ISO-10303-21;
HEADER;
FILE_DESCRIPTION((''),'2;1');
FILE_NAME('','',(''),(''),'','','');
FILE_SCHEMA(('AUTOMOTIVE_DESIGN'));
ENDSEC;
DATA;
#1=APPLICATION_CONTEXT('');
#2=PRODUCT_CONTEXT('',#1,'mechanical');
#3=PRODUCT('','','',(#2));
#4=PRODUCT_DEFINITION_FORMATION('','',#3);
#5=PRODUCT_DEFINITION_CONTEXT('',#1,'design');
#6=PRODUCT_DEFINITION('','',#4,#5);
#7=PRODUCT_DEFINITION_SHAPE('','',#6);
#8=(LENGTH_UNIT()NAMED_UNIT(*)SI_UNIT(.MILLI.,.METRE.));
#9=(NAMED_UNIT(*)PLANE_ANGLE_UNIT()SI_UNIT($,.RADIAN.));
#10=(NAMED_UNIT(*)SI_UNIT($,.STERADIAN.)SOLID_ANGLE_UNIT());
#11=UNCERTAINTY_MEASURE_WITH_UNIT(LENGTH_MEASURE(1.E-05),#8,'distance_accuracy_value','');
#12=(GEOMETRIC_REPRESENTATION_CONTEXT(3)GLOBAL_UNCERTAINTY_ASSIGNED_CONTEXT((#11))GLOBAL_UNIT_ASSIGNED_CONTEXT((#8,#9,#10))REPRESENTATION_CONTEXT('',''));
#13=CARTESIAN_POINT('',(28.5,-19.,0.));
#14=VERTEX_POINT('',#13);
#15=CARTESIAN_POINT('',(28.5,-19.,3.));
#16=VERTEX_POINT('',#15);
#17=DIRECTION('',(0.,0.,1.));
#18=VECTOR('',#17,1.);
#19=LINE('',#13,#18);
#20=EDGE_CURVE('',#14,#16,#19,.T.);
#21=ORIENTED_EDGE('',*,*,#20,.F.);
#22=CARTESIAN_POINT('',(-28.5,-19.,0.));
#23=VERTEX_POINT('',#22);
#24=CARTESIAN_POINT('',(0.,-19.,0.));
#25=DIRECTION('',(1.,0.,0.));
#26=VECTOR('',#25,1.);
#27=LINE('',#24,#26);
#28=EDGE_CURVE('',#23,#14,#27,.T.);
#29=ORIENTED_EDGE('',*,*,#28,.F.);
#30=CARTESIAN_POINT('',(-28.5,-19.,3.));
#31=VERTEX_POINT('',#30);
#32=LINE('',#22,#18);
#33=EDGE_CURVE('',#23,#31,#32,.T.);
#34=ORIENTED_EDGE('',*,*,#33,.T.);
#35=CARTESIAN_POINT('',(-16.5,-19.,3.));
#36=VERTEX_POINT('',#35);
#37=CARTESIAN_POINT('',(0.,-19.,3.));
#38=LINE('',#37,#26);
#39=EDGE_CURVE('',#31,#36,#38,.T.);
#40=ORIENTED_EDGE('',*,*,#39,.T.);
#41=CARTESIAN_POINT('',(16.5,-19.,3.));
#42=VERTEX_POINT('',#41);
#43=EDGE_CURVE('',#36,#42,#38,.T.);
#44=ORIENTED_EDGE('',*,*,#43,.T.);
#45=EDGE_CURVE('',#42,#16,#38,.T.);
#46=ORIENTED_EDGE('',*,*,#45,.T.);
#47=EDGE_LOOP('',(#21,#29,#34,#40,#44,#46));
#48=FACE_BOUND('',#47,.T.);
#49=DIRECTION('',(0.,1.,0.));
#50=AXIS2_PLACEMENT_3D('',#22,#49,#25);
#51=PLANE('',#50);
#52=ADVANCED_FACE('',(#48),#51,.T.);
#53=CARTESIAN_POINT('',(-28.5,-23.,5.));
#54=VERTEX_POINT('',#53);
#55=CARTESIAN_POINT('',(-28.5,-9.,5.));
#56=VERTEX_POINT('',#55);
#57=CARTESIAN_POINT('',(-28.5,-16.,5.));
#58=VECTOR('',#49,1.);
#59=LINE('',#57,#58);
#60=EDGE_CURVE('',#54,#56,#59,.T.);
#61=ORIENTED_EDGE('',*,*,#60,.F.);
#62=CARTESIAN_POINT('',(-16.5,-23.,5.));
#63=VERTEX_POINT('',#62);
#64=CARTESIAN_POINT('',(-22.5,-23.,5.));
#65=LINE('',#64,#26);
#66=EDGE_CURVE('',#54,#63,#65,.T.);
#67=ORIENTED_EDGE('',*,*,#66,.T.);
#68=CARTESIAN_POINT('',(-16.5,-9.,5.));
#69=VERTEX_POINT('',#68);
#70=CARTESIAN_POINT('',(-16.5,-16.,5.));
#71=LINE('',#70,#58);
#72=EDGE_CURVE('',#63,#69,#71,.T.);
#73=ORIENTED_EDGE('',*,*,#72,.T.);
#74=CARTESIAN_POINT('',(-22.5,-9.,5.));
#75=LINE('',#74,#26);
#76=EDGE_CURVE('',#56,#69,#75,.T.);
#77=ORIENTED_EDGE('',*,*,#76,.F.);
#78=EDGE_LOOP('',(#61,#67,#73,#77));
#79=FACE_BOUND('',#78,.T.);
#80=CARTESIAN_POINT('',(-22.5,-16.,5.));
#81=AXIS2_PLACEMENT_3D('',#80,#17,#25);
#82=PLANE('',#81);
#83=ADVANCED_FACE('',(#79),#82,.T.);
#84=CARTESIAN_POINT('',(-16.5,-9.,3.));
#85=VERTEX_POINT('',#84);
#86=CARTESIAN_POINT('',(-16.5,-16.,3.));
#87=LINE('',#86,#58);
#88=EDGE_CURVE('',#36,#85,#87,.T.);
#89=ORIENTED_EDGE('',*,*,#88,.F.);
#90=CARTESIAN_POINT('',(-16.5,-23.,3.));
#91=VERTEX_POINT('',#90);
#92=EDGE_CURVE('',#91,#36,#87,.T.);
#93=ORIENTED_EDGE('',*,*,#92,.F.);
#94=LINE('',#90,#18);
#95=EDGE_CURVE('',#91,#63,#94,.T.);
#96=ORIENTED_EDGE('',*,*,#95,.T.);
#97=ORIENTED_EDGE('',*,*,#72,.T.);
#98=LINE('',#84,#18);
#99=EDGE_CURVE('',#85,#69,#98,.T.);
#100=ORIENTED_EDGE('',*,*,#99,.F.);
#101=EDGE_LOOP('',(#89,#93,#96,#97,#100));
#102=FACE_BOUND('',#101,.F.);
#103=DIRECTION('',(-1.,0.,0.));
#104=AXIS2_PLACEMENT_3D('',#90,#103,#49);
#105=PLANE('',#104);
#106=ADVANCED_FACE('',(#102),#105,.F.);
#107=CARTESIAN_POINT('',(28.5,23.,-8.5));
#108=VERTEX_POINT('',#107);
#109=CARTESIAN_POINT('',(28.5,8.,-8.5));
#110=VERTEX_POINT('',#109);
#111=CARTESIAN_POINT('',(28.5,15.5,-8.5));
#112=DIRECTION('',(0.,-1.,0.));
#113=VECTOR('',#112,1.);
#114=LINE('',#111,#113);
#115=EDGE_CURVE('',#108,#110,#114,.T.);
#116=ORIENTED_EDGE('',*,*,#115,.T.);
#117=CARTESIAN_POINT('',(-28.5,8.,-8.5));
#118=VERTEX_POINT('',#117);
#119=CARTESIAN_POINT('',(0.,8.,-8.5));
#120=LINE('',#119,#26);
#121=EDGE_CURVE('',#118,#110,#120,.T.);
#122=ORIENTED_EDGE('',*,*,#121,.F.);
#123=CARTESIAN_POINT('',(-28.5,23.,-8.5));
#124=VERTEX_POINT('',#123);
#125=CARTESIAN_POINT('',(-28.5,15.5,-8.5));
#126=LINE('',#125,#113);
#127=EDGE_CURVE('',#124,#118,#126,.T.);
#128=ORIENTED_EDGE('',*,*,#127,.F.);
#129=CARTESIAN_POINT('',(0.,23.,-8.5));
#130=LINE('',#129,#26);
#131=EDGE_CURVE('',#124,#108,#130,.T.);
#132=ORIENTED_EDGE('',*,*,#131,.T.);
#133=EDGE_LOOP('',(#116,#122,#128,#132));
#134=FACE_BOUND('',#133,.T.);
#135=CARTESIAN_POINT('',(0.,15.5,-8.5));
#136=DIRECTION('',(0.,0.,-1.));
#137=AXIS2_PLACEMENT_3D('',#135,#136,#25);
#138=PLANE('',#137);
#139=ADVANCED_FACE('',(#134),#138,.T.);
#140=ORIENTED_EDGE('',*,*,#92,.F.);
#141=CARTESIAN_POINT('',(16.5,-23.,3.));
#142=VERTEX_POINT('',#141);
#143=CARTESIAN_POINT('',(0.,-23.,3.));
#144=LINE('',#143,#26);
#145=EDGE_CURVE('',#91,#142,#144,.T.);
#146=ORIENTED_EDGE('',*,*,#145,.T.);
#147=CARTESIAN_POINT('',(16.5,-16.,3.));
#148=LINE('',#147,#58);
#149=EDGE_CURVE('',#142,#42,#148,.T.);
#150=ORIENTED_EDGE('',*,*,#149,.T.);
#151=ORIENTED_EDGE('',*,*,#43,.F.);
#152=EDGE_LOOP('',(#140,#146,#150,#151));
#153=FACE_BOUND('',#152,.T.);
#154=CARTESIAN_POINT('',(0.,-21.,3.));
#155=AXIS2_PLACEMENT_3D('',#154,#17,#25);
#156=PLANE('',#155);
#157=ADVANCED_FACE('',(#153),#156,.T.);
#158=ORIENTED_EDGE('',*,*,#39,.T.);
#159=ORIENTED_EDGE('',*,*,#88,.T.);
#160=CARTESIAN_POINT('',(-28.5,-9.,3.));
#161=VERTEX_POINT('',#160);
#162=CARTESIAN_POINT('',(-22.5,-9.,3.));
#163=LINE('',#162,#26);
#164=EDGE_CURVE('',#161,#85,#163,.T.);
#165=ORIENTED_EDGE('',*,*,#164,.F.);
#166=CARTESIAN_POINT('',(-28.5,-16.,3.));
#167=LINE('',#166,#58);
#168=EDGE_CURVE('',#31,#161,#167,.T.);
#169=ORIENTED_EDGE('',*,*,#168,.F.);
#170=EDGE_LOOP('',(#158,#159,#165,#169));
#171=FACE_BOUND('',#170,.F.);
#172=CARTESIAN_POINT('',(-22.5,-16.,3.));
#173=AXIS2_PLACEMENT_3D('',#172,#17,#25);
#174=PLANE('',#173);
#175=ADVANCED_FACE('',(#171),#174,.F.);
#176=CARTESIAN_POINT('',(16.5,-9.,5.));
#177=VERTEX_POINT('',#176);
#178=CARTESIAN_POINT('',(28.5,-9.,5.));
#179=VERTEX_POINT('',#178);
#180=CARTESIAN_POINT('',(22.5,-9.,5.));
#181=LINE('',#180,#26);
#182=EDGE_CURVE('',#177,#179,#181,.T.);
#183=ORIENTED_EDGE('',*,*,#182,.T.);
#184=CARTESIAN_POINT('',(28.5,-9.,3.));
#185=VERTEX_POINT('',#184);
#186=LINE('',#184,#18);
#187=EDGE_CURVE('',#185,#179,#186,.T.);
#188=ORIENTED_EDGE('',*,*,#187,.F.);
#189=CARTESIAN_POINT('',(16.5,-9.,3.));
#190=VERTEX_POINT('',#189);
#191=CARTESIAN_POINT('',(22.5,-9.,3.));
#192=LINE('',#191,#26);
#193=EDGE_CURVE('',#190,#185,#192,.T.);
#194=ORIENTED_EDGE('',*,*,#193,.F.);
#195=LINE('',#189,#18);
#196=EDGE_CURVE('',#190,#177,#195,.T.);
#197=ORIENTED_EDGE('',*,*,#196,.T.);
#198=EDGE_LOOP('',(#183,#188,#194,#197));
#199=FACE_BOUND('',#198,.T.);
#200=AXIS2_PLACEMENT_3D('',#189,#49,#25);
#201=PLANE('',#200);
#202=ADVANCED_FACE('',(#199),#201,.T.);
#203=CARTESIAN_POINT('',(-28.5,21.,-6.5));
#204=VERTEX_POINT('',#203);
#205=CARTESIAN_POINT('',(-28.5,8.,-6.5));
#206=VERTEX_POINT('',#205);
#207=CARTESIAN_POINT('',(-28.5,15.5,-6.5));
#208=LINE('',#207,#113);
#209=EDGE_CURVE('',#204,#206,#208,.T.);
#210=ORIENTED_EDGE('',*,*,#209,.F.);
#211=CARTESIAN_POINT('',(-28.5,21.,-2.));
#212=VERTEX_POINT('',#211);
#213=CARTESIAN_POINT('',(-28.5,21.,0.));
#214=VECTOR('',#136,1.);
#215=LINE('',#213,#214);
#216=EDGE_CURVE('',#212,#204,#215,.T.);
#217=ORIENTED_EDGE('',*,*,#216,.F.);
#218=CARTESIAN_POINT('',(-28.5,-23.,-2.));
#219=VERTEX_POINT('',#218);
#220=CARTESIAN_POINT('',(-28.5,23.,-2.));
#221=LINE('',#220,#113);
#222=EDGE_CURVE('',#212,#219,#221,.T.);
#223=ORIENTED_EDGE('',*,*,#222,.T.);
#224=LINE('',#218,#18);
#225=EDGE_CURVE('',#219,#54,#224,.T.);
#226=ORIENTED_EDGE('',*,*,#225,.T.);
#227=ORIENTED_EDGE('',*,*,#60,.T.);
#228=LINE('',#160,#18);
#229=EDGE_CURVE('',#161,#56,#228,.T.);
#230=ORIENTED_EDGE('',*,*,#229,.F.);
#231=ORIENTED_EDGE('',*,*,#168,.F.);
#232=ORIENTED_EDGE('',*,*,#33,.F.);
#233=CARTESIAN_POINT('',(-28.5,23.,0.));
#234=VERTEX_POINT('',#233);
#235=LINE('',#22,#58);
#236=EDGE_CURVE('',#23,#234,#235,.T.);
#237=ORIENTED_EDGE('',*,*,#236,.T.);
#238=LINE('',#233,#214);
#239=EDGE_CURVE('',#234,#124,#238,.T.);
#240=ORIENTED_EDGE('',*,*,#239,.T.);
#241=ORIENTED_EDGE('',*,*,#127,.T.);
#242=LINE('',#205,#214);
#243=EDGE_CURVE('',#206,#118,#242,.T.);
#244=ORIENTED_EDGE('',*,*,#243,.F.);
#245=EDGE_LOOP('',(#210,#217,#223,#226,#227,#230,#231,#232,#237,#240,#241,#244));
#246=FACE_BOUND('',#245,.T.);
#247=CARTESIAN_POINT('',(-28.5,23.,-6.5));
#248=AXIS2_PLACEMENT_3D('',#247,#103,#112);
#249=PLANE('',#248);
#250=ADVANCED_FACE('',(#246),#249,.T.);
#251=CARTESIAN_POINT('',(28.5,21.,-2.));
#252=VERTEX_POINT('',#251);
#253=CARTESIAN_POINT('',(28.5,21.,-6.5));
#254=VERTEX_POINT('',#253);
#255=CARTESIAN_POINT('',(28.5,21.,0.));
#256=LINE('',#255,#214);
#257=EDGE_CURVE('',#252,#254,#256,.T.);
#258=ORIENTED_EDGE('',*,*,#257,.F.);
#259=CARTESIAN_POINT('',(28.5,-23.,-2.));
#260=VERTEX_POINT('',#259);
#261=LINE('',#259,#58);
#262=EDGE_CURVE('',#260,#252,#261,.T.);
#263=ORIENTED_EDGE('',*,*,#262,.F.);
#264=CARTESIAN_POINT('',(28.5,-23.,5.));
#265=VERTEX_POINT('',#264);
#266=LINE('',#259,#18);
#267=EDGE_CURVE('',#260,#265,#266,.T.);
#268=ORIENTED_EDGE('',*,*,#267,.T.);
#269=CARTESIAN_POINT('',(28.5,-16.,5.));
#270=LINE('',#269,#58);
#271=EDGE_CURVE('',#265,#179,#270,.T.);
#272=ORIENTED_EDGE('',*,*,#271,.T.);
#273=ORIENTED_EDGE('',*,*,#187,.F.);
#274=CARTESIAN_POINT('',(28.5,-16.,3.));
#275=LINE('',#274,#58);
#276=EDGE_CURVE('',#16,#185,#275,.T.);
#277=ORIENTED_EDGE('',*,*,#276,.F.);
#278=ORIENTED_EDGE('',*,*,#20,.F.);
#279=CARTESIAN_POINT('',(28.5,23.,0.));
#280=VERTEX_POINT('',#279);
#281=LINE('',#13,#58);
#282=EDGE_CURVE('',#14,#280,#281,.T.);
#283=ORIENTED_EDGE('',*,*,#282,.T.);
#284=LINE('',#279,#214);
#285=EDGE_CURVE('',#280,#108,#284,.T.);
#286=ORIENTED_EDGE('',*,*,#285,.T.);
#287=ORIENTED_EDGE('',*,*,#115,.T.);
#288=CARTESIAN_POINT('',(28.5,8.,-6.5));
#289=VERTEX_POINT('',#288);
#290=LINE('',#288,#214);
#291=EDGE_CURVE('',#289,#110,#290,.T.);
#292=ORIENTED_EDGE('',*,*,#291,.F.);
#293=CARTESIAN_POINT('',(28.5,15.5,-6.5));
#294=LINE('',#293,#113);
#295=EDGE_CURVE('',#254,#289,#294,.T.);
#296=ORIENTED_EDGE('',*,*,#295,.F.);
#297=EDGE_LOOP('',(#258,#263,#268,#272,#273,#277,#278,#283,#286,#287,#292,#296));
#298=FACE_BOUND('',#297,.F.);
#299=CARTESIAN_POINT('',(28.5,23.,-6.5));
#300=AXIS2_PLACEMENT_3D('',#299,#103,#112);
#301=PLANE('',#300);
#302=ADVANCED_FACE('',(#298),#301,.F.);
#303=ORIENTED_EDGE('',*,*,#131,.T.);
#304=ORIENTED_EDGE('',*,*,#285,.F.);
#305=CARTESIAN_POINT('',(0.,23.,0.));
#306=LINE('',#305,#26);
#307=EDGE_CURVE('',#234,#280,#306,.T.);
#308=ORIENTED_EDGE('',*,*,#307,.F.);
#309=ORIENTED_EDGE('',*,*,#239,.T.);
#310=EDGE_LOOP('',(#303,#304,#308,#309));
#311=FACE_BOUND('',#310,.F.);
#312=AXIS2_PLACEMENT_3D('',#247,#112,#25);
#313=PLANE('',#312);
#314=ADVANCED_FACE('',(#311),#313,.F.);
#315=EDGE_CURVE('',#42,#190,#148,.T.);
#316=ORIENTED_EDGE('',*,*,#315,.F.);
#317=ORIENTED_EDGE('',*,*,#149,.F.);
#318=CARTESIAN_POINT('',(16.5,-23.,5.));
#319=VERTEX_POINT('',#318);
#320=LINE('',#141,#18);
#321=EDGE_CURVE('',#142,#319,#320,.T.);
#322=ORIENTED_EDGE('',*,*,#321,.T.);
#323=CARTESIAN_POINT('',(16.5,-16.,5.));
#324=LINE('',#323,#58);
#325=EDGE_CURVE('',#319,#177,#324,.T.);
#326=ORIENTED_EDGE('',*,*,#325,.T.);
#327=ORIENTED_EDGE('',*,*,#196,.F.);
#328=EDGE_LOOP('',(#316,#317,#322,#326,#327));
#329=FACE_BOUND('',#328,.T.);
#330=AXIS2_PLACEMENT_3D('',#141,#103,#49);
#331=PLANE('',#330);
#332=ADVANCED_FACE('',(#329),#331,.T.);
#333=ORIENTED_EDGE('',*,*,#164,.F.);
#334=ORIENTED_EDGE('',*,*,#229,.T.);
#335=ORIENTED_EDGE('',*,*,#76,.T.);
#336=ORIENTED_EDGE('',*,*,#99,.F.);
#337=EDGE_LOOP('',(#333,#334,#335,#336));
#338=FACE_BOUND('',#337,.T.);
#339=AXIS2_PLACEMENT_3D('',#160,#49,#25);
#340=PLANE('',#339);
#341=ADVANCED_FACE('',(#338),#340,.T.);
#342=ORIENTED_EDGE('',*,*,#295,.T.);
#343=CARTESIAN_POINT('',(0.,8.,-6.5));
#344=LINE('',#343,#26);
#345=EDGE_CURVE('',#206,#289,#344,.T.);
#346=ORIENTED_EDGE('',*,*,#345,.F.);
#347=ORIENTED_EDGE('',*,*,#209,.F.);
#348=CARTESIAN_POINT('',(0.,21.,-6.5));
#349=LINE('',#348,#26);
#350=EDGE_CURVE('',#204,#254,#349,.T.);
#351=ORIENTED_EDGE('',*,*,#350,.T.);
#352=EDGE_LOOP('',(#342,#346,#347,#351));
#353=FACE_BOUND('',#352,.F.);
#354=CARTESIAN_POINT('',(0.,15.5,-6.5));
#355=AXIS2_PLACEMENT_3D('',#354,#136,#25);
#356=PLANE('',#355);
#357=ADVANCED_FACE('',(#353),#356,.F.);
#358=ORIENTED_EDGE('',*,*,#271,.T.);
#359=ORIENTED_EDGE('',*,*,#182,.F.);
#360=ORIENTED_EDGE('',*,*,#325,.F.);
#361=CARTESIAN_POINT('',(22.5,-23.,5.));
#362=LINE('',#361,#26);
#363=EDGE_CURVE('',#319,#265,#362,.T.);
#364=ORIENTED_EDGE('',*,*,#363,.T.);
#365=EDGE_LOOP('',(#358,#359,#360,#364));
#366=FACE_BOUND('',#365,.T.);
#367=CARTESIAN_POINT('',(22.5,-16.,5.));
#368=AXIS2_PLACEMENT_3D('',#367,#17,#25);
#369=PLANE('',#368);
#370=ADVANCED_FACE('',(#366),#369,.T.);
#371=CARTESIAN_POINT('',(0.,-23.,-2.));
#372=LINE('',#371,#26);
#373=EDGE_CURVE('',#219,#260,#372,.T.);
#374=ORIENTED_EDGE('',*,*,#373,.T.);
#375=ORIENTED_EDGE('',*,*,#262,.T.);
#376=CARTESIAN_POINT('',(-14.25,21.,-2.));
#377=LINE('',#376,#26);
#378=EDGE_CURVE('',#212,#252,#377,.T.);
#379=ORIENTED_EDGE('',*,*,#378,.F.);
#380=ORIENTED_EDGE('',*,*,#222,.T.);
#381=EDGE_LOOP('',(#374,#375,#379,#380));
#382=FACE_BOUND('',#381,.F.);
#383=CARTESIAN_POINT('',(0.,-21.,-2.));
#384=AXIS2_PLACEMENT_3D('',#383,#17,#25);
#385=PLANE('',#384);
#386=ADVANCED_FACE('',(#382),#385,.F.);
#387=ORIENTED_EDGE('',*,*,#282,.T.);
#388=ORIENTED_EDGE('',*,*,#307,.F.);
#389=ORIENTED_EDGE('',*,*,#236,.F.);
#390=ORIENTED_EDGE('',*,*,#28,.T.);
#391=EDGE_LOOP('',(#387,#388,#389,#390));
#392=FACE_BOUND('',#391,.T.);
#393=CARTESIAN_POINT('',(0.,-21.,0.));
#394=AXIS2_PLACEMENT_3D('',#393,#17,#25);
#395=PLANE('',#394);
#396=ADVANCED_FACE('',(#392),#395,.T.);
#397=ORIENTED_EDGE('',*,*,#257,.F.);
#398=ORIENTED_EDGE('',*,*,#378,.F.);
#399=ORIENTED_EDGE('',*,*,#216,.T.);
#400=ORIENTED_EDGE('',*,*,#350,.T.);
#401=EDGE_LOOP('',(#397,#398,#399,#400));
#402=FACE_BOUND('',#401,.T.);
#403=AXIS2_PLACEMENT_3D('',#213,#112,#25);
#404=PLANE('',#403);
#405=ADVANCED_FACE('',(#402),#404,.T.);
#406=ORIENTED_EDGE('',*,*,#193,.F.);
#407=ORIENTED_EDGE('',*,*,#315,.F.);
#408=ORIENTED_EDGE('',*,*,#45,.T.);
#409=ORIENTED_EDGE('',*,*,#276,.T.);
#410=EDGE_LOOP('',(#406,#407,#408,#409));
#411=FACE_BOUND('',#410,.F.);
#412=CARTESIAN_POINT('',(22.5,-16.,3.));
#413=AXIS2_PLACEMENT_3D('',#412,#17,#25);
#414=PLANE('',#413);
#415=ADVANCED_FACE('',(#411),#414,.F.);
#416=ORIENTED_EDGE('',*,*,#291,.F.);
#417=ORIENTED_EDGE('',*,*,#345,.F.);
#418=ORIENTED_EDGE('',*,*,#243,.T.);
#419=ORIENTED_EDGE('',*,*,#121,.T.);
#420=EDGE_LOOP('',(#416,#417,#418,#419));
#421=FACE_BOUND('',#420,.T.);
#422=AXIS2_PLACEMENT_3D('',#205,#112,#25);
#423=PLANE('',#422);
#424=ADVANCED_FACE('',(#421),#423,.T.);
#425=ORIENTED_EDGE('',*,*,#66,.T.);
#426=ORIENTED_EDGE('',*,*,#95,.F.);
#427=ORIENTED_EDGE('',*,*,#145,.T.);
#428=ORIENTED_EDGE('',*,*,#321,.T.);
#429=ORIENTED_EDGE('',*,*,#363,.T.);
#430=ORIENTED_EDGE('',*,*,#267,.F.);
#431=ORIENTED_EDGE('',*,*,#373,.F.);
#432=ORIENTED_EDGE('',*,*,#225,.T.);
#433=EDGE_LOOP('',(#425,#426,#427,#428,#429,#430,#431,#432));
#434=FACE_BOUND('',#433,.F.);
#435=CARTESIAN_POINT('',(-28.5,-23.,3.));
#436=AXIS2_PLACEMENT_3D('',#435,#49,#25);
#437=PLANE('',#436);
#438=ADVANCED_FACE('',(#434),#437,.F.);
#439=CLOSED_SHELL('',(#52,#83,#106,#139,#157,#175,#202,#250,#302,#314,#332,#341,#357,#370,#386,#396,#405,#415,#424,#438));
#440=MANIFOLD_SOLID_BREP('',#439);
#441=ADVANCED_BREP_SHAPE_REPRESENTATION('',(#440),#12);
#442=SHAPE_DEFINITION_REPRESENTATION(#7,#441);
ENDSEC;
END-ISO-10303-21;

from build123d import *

# Parameters (mm, degrees)
F0_W     = 57
F0_H     = 4
F0_H_2   = 2
F0_H_3   = 40
F1_DEPTH = 2
F2_DEPTH = 3
F3_W     = 12
F3_H     = 14
F4_DEPTH = 2
F5_DEPTH = 6.5
F6_W     = 57
F6_H     = 15
F7_DEPTH = 2


with BuildPart() as f1:
    # F0 (on Top) → F1 (new body)
    with BuildSketch(Plane.XY):
        with Locations((0, -21)):
            Rectangle(F0_W, F0_H)
        with Locations((0, 22)):
            Rectangle(F0_W, F0_H_2)
        with Locations((0, 1)):
            Rectangle(F0_W, F0_H_3)
    extrude(amount=-F1_DEPTH)

    # F0 (on Top) → F2 (join)
    with BuildSketch(Plane.XY):
        with Locations((0, -21)):
            Rectangle(F0_W, F0_H)
    extrude(amount=F2_DEPTH)

    # F3 (on face) → F4 (join)
    with BuildSketch(Plane.XY.offset(3)):
        with Locations((-22.5, -16)):
            Rectangle(F3_W, F3_H)
        with Locations((22.5, -16)):
            Rectangle(F3_W, F3_H)
    extrude(amount=F4_DEPTH)

    # F0 (on Top) → F5 (join)
    with BuildSketch(Plane.XY):
        with Locations((0, 22)):
            Rectangle(F0_W, F0_H_2)
    extrude(amount=-F5_DEPTH)

    # F6 (on face) → F7 (join)
    with BuildSketch(Plane(origin=(0, 0, -6.5), x_dir=(1, 0, 0), z_dir=(0, 0, -1))):
        with Locations((0, -15.5)):
            Rectangle(F6_W, F6_H)
    extrude(amount=F7_DEPTH)


solid = f1.part
